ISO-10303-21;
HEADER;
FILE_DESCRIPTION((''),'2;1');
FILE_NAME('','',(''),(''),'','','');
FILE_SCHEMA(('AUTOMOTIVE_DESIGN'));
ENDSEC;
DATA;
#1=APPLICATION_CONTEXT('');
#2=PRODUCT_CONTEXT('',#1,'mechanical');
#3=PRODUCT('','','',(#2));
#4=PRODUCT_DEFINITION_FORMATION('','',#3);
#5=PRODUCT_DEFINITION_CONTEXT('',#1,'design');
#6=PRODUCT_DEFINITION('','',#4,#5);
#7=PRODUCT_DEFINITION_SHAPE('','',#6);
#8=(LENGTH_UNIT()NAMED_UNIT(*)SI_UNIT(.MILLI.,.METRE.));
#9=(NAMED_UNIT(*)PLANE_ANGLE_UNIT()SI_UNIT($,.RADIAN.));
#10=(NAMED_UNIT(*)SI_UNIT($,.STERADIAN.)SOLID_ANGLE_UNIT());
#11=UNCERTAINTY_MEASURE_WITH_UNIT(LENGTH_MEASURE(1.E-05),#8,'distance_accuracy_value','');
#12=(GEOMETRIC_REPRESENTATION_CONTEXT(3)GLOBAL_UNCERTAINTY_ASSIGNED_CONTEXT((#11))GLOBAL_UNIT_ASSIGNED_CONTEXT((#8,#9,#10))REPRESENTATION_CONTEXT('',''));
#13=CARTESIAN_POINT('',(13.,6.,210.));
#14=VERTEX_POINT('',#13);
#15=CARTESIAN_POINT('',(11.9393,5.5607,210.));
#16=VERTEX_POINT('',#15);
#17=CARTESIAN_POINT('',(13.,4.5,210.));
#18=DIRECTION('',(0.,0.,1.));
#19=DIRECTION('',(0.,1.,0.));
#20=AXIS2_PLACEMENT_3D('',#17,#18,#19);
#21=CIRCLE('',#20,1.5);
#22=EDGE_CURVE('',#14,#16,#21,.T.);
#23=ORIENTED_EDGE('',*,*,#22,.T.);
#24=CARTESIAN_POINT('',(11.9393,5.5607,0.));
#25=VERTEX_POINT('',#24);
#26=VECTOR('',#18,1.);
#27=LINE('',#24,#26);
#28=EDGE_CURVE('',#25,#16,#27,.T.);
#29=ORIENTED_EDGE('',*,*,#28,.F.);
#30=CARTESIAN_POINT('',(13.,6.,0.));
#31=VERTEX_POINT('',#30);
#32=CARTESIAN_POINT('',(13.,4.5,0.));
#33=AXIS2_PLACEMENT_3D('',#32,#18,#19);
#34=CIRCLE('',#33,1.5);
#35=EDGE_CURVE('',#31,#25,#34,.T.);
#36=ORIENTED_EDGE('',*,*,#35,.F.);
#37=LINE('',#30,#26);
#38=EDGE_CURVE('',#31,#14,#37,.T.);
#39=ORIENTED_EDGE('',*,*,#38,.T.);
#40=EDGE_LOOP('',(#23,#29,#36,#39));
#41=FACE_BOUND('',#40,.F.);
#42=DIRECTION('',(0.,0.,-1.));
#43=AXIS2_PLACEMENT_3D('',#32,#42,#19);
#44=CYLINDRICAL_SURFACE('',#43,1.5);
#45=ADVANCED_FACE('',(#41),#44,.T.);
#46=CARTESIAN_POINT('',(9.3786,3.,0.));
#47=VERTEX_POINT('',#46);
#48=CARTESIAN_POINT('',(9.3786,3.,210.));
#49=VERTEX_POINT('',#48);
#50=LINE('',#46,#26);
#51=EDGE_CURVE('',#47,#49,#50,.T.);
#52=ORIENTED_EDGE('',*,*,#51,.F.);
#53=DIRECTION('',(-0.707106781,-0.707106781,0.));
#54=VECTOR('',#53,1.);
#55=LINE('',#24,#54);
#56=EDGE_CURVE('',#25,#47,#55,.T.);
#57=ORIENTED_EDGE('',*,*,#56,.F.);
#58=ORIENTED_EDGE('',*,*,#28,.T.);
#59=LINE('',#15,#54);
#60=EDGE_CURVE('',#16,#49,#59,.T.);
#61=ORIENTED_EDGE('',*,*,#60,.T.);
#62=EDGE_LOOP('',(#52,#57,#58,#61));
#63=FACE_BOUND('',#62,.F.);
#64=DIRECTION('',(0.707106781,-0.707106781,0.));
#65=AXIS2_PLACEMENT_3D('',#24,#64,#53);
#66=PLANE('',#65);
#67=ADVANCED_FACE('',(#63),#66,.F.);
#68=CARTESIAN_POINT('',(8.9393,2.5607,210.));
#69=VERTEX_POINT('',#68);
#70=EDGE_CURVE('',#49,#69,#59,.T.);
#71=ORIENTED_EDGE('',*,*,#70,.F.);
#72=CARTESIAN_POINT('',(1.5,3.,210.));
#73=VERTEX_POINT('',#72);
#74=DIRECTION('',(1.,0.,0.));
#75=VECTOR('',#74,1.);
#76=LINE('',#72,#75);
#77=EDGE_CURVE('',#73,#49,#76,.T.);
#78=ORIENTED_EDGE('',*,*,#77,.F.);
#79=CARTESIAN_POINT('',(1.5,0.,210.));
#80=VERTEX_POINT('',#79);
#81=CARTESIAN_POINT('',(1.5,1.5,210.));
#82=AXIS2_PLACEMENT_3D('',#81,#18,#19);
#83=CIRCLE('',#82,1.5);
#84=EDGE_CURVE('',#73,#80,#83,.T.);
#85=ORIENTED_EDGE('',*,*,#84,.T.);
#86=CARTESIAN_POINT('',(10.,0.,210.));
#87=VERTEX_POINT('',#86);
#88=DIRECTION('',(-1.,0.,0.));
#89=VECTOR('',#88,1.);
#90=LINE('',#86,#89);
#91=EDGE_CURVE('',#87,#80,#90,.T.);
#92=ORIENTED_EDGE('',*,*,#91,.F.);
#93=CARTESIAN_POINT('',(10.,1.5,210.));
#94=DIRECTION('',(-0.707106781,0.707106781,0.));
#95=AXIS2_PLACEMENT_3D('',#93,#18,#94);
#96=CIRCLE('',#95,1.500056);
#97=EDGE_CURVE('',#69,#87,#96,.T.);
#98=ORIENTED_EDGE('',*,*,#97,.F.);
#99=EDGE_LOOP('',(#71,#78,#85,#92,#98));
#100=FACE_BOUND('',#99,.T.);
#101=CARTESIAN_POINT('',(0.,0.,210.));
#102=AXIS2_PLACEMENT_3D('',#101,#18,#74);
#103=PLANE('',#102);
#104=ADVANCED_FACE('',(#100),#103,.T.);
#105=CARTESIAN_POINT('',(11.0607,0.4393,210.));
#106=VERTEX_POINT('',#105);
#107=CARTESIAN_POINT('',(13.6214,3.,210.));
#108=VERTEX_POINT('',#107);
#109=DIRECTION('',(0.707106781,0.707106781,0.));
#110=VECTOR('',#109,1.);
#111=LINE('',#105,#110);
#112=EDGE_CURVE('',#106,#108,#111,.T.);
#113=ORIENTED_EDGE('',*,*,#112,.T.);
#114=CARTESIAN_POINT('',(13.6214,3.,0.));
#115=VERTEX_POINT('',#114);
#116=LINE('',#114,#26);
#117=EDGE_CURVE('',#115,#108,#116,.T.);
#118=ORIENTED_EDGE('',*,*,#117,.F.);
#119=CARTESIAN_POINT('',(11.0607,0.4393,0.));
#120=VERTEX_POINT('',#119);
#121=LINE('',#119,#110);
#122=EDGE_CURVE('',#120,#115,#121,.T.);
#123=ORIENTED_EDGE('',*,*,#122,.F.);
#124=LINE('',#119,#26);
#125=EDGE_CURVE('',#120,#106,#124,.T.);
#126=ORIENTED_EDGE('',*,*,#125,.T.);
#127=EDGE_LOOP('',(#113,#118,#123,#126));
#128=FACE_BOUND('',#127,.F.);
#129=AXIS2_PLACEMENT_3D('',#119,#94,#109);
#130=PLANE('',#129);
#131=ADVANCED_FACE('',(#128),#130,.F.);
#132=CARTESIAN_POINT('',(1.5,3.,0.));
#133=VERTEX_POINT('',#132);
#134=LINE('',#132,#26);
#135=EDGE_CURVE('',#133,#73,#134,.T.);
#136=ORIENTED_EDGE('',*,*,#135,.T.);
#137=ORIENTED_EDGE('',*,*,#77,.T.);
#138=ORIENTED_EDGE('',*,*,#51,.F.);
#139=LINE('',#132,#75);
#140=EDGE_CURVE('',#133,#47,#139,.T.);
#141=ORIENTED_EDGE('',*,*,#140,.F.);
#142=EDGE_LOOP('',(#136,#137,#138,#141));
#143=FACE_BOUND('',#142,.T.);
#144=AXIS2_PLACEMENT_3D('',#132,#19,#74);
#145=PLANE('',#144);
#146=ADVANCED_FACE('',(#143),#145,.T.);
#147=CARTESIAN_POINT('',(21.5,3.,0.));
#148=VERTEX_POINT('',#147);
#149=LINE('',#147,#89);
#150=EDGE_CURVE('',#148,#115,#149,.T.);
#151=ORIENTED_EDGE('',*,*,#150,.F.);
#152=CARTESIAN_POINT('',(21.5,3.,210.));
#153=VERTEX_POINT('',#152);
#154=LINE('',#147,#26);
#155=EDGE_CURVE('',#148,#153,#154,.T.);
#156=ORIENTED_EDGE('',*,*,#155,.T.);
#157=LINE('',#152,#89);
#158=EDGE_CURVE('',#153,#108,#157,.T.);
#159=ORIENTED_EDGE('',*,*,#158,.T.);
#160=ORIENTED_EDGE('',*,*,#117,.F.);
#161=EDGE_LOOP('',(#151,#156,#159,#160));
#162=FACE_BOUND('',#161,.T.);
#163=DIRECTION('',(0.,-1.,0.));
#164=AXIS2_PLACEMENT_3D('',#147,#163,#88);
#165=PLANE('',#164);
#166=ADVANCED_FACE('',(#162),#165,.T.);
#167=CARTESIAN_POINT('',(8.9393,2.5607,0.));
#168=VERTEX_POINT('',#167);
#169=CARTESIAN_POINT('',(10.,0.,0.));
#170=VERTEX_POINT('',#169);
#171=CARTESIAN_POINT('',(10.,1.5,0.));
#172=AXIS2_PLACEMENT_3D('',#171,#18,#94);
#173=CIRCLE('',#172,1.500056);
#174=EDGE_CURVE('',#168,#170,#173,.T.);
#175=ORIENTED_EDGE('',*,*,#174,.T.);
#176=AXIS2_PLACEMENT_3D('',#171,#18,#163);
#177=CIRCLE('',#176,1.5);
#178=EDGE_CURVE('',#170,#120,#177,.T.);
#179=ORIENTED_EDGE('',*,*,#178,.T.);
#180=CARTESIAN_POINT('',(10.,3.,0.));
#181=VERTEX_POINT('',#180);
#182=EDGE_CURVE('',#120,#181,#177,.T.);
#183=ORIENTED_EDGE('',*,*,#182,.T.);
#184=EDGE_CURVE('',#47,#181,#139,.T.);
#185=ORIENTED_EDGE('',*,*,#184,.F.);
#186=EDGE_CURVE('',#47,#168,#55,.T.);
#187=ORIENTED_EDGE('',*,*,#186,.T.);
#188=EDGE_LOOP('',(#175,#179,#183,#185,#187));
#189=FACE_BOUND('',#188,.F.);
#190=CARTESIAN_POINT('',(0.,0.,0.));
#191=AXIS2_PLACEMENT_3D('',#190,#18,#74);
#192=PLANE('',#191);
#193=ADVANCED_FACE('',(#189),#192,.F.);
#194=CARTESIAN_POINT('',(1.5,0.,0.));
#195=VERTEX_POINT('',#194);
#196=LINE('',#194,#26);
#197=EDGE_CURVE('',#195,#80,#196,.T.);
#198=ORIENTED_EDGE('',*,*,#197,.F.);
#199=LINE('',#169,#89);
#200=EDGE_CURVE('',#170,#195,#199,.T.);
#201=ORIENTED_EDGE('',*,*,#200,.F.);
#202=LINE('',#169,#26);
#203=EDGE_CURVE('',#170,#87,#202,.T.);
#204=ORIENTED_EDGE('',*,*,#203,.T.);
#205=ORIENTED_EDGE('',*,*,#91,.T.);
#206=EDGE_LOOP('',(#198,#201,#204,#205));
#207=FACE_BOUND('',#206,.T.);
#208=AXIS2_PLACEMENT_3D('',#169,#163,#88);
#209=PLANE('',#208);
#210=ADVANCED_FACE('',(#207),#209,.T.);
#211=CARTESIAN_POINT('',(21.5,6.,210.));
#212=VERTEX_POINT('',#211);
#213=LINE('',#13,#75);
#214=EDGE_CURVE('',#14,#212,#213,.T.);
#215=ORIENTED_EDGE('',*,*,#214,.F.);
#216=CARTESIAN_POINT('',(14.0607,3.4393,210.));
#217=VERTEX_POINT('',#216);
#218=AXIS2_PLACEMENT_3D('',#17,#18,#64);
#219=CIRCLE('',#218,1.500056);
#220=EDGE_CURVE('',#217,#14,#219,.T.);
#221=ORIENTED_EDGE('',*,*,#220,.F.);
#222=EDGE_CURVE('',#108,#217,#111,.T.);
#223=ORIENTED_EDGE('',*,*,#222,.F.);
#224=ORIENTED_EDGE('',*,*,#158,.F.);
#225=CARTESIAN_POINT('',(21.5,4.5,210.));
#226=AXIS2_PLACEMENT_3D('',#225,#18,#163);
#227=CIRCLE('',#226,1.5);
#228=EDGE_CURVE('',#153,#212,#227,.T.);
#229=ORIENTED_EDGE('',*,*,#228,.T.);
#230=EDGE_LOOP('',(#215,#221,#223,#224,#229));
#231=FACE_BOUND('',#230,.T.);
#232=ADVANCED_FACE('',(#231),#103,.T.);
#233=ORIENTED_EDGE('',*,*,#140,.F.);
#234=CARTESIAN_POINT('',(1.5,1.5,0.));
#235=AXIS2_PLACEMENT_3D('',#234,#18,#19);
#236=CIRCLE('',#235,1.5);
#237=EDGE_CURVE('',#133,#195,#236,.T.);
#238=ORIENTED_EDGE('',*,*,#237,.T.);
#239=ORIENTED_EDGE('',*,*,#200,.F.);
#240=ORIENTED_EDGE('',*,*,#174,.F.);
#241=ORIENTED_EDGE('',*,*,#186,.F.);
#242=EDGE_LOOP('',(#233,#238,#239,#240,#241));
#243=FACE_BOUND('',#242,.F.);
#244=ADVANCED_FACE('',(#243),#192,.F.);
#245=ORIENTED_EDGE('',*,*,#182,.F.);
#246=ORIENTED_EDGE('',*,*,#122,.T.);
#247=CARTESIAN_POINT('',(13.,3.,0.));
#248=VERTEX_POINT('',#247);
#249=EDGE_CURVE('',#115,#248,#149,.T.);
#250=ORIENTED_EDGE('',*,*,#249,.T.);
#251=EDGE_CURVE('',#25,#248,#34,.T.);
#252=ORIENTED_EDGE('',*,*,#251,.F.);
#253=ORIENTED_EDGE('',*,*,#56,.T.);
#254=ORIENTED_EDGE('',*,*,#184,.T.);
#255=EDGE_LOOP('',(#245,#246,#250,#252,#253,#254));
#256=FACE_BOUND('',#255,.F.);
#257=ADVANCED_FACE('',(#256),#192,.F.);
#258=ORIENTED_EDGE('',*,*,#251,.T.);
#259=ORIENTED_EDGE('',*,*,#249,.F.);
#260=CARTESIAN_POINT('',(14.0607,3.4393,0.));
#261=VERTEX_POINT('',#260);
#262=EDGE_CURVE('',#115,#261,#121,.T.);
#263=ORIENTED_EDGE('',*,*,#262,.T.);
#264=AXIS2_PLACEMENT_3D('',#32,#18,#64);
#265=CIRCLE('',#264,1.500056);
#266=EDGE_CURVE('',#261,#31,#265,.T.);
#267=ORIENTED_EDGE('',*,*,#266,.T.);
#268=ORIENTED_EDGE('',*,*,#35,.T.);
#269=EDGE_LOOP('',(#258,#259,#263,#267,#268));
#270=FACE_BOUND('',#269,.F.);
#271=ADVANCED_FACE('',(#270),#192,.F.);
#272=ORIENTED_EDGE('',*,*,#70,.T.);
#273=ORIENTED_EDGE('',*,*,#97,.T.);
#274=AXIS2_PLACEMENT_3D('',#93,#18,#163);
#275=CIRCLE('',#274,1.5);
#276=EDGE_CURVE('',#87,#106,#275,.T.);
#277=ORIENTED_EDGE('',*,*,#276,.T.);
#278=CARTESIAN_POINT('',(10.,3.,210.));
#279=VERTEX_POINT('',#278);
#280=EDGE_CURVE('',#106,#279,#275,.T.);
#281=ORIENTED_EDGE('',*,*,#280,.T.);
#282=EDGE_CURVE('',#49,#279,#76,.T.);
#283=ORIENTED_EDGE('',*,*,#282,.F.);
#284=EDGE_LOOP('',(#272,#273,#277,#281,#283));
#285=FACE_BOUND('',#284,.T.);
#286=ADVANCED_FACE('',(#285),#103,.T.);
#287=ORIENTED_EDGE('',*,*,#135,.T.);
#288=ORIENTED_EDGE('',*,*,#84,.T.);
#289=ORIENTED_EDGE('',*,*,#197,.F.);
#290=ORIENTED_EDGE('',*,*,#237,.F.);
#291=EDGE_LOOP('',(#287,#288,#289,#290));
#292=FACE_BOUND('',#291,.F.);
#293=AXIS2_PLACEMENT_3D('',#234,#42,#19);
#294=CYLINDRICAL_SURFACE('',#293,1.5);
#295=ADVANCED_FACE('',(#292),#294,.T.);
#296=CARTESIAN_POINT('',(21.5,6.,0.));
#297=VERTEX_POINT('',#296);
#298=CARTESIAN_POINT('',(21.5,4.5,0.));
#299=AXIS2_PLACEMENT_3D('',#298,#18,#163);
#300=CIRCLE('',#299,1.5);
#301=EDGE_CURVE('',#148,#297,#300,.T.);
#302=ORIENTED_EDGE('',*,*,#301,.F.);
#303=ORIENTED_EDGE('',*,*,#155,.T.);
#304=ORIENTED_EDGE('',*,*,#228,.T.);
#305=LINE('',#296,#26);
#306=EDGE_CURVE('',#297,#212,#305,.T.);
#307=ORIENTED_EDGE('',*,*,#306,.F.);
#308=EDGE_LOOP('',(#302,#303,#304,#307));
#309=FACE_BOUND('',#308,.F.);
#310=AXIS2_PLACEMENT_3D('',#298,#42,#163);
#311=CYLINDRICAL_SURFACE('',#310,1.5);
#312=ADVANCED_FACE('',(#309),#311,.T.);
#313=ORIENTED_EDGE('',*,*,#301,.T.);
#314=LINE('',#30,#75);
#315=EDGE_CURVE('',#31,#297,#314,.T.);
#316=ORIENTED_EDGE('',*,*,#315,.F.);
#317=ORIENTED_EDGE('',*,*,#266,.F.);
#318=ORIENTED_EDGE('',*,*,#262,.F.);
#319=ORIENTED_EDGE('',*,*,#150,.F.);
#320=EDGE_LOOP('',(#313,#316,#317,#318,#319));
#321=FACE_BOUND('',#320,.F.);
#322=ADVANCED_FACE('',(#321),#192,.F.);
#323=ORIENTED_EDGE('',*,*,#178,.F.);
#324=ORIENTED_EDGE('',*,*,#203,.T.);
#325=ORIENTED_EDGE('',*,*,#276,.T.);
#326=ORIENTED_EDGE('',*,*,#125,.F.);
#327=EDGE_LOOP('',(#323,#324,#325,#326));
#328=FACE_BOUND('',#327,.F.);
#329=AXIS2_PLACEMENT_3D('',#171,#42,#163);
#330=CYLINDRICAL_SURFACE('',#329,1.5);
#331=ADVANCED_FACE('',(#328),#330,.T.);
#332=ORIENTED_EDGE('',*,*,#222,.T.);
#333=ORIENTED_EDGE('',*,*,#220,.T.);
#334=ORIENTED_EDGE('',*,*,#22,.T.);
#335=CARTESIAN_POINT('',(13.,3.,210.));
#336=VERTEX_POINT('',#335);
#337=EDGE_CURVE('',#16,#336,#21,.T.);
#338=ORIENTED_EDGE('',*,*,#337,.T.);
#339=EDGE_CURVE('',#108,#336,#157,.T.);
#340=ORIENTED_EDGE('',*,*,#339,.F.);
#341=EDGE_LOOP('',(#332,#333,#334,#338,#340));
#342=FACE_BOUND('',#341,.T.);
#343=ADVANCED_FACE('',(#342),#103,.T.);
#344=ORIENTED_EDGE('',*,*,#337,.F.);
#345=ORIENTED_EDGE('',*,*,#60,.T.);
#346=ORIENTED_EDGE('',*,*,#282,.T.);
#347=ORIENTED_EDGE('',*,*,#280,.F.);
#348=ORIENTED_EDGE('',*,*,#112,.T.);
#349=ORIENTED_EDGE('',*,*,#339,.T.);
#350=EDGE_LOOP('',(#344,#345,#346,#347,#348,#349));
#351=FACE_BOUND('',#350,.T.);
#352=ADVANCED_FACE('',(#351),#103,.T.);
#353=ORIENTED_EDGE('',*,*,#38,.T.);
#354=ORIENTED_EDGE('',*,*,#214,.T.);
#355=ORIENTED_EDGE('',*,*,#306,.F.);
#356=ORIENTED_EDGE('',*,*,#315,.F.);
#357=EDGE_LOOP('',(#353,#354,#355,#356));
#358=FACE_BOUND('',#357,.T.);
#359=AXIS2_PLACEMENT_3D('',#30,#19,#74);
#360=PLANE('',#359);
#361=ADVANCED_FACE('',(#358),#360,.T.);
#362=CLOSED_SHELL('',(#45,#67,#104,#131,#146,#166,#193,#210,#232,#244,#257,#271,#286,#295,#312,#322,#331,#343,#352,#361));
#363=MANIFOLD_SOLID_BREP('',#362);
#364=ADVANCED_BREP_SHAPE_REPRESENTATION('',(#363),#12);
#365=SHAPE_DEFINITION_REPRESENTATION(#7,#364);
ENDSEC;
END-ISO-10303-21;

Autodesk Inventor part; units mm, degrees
ref_plane "YZ Plane" through (0, 0, 0) normal (1, 0, 0) x (0, 1, 0)
ref_plane "XZ Plane" through (0, 0, 0) normal (0, 1, 0) x (-1, 0, 0)
ref_plane "XY Plane" through (0, 0, 0) normal (0, 0, 1) x (1, 0, 0)
sketch "Sketch1" plane through (0, 0, 0) normal (0, 0, 1) x (1, 0, 0)
  line L0 (0, 0) -> (23, 0) construction
  line L1 (23, 0) -> (23, 6) construction
  line L2 (23, 6) -> (0, 6) construction
  line L3 (0, 6) -> (0, 0) construction
  line L4 (0, 3) -> (23, 3) construction
  line L5 (11.5, 0) -> (11.5, 3) construction
  line L6 (11.5, 3) -> (11.5, 6) construction
  line L7 (11.5, 1.5) -> (0, 1.5) construction
  line L8 (11.5, 4.5) -> (23, 4.5) construction
  line L9 (0, 1.5) -> (11.5, 1.5) construction
  line L10 (1.5, 3) -> (10, 3)
  line L11 (10, 0) -> (1.5, 0)
  arc A0 (1.5, 3) -> (1.5, 0) centre (1.5, 1.5) ccw
  arc A1 (10, 0) -> (10, 3) centre (10, 1.5) ccw
  line L12 (11.5, 4.5) -> (23, 4.5) construction
  line L13 (13, 6) -> (21.5, 6)
  line L14 (21.5, 3) -> (13, 3)
  arc A2 (13, 6) -> (13, 3) centre (13, 4.5) ccw
  arc A3 (21.5, 3) -> (21.5, 6) centre (21.5, 4.5) ccw
  line L15 (10, 1.5) -> (13, 4.5) construction
  line L16 (11.0607, 0.4393) -> (14.0607, 3.4393)
  line L17 (11.9393, 5.5607) -> (8.9393, 2.5607)
  arc A4 (8.9393, 2.5607) -> (11.0607, 0.4393) centre (10, 1.5) ccw
  arc A5 (14.0607, 3.4393) -> (11.9393, 5.5607) centre (13, 4.5) ccw
  point P0 (5.75, 1.5)
  point P1 (17.25, 4.5)
  point P2 (11.5, 3)
  point P3 (9.3787, 3)
  point P4 (13.6213, 3)
  dimension "d6" = 23
  dimension "d7" = 6
  dimension "d8" = 3
extrude "Extrusion1" add sketch "Sketch1" along normal blind 210
properties part number "Door Seal" material "Rubber"
